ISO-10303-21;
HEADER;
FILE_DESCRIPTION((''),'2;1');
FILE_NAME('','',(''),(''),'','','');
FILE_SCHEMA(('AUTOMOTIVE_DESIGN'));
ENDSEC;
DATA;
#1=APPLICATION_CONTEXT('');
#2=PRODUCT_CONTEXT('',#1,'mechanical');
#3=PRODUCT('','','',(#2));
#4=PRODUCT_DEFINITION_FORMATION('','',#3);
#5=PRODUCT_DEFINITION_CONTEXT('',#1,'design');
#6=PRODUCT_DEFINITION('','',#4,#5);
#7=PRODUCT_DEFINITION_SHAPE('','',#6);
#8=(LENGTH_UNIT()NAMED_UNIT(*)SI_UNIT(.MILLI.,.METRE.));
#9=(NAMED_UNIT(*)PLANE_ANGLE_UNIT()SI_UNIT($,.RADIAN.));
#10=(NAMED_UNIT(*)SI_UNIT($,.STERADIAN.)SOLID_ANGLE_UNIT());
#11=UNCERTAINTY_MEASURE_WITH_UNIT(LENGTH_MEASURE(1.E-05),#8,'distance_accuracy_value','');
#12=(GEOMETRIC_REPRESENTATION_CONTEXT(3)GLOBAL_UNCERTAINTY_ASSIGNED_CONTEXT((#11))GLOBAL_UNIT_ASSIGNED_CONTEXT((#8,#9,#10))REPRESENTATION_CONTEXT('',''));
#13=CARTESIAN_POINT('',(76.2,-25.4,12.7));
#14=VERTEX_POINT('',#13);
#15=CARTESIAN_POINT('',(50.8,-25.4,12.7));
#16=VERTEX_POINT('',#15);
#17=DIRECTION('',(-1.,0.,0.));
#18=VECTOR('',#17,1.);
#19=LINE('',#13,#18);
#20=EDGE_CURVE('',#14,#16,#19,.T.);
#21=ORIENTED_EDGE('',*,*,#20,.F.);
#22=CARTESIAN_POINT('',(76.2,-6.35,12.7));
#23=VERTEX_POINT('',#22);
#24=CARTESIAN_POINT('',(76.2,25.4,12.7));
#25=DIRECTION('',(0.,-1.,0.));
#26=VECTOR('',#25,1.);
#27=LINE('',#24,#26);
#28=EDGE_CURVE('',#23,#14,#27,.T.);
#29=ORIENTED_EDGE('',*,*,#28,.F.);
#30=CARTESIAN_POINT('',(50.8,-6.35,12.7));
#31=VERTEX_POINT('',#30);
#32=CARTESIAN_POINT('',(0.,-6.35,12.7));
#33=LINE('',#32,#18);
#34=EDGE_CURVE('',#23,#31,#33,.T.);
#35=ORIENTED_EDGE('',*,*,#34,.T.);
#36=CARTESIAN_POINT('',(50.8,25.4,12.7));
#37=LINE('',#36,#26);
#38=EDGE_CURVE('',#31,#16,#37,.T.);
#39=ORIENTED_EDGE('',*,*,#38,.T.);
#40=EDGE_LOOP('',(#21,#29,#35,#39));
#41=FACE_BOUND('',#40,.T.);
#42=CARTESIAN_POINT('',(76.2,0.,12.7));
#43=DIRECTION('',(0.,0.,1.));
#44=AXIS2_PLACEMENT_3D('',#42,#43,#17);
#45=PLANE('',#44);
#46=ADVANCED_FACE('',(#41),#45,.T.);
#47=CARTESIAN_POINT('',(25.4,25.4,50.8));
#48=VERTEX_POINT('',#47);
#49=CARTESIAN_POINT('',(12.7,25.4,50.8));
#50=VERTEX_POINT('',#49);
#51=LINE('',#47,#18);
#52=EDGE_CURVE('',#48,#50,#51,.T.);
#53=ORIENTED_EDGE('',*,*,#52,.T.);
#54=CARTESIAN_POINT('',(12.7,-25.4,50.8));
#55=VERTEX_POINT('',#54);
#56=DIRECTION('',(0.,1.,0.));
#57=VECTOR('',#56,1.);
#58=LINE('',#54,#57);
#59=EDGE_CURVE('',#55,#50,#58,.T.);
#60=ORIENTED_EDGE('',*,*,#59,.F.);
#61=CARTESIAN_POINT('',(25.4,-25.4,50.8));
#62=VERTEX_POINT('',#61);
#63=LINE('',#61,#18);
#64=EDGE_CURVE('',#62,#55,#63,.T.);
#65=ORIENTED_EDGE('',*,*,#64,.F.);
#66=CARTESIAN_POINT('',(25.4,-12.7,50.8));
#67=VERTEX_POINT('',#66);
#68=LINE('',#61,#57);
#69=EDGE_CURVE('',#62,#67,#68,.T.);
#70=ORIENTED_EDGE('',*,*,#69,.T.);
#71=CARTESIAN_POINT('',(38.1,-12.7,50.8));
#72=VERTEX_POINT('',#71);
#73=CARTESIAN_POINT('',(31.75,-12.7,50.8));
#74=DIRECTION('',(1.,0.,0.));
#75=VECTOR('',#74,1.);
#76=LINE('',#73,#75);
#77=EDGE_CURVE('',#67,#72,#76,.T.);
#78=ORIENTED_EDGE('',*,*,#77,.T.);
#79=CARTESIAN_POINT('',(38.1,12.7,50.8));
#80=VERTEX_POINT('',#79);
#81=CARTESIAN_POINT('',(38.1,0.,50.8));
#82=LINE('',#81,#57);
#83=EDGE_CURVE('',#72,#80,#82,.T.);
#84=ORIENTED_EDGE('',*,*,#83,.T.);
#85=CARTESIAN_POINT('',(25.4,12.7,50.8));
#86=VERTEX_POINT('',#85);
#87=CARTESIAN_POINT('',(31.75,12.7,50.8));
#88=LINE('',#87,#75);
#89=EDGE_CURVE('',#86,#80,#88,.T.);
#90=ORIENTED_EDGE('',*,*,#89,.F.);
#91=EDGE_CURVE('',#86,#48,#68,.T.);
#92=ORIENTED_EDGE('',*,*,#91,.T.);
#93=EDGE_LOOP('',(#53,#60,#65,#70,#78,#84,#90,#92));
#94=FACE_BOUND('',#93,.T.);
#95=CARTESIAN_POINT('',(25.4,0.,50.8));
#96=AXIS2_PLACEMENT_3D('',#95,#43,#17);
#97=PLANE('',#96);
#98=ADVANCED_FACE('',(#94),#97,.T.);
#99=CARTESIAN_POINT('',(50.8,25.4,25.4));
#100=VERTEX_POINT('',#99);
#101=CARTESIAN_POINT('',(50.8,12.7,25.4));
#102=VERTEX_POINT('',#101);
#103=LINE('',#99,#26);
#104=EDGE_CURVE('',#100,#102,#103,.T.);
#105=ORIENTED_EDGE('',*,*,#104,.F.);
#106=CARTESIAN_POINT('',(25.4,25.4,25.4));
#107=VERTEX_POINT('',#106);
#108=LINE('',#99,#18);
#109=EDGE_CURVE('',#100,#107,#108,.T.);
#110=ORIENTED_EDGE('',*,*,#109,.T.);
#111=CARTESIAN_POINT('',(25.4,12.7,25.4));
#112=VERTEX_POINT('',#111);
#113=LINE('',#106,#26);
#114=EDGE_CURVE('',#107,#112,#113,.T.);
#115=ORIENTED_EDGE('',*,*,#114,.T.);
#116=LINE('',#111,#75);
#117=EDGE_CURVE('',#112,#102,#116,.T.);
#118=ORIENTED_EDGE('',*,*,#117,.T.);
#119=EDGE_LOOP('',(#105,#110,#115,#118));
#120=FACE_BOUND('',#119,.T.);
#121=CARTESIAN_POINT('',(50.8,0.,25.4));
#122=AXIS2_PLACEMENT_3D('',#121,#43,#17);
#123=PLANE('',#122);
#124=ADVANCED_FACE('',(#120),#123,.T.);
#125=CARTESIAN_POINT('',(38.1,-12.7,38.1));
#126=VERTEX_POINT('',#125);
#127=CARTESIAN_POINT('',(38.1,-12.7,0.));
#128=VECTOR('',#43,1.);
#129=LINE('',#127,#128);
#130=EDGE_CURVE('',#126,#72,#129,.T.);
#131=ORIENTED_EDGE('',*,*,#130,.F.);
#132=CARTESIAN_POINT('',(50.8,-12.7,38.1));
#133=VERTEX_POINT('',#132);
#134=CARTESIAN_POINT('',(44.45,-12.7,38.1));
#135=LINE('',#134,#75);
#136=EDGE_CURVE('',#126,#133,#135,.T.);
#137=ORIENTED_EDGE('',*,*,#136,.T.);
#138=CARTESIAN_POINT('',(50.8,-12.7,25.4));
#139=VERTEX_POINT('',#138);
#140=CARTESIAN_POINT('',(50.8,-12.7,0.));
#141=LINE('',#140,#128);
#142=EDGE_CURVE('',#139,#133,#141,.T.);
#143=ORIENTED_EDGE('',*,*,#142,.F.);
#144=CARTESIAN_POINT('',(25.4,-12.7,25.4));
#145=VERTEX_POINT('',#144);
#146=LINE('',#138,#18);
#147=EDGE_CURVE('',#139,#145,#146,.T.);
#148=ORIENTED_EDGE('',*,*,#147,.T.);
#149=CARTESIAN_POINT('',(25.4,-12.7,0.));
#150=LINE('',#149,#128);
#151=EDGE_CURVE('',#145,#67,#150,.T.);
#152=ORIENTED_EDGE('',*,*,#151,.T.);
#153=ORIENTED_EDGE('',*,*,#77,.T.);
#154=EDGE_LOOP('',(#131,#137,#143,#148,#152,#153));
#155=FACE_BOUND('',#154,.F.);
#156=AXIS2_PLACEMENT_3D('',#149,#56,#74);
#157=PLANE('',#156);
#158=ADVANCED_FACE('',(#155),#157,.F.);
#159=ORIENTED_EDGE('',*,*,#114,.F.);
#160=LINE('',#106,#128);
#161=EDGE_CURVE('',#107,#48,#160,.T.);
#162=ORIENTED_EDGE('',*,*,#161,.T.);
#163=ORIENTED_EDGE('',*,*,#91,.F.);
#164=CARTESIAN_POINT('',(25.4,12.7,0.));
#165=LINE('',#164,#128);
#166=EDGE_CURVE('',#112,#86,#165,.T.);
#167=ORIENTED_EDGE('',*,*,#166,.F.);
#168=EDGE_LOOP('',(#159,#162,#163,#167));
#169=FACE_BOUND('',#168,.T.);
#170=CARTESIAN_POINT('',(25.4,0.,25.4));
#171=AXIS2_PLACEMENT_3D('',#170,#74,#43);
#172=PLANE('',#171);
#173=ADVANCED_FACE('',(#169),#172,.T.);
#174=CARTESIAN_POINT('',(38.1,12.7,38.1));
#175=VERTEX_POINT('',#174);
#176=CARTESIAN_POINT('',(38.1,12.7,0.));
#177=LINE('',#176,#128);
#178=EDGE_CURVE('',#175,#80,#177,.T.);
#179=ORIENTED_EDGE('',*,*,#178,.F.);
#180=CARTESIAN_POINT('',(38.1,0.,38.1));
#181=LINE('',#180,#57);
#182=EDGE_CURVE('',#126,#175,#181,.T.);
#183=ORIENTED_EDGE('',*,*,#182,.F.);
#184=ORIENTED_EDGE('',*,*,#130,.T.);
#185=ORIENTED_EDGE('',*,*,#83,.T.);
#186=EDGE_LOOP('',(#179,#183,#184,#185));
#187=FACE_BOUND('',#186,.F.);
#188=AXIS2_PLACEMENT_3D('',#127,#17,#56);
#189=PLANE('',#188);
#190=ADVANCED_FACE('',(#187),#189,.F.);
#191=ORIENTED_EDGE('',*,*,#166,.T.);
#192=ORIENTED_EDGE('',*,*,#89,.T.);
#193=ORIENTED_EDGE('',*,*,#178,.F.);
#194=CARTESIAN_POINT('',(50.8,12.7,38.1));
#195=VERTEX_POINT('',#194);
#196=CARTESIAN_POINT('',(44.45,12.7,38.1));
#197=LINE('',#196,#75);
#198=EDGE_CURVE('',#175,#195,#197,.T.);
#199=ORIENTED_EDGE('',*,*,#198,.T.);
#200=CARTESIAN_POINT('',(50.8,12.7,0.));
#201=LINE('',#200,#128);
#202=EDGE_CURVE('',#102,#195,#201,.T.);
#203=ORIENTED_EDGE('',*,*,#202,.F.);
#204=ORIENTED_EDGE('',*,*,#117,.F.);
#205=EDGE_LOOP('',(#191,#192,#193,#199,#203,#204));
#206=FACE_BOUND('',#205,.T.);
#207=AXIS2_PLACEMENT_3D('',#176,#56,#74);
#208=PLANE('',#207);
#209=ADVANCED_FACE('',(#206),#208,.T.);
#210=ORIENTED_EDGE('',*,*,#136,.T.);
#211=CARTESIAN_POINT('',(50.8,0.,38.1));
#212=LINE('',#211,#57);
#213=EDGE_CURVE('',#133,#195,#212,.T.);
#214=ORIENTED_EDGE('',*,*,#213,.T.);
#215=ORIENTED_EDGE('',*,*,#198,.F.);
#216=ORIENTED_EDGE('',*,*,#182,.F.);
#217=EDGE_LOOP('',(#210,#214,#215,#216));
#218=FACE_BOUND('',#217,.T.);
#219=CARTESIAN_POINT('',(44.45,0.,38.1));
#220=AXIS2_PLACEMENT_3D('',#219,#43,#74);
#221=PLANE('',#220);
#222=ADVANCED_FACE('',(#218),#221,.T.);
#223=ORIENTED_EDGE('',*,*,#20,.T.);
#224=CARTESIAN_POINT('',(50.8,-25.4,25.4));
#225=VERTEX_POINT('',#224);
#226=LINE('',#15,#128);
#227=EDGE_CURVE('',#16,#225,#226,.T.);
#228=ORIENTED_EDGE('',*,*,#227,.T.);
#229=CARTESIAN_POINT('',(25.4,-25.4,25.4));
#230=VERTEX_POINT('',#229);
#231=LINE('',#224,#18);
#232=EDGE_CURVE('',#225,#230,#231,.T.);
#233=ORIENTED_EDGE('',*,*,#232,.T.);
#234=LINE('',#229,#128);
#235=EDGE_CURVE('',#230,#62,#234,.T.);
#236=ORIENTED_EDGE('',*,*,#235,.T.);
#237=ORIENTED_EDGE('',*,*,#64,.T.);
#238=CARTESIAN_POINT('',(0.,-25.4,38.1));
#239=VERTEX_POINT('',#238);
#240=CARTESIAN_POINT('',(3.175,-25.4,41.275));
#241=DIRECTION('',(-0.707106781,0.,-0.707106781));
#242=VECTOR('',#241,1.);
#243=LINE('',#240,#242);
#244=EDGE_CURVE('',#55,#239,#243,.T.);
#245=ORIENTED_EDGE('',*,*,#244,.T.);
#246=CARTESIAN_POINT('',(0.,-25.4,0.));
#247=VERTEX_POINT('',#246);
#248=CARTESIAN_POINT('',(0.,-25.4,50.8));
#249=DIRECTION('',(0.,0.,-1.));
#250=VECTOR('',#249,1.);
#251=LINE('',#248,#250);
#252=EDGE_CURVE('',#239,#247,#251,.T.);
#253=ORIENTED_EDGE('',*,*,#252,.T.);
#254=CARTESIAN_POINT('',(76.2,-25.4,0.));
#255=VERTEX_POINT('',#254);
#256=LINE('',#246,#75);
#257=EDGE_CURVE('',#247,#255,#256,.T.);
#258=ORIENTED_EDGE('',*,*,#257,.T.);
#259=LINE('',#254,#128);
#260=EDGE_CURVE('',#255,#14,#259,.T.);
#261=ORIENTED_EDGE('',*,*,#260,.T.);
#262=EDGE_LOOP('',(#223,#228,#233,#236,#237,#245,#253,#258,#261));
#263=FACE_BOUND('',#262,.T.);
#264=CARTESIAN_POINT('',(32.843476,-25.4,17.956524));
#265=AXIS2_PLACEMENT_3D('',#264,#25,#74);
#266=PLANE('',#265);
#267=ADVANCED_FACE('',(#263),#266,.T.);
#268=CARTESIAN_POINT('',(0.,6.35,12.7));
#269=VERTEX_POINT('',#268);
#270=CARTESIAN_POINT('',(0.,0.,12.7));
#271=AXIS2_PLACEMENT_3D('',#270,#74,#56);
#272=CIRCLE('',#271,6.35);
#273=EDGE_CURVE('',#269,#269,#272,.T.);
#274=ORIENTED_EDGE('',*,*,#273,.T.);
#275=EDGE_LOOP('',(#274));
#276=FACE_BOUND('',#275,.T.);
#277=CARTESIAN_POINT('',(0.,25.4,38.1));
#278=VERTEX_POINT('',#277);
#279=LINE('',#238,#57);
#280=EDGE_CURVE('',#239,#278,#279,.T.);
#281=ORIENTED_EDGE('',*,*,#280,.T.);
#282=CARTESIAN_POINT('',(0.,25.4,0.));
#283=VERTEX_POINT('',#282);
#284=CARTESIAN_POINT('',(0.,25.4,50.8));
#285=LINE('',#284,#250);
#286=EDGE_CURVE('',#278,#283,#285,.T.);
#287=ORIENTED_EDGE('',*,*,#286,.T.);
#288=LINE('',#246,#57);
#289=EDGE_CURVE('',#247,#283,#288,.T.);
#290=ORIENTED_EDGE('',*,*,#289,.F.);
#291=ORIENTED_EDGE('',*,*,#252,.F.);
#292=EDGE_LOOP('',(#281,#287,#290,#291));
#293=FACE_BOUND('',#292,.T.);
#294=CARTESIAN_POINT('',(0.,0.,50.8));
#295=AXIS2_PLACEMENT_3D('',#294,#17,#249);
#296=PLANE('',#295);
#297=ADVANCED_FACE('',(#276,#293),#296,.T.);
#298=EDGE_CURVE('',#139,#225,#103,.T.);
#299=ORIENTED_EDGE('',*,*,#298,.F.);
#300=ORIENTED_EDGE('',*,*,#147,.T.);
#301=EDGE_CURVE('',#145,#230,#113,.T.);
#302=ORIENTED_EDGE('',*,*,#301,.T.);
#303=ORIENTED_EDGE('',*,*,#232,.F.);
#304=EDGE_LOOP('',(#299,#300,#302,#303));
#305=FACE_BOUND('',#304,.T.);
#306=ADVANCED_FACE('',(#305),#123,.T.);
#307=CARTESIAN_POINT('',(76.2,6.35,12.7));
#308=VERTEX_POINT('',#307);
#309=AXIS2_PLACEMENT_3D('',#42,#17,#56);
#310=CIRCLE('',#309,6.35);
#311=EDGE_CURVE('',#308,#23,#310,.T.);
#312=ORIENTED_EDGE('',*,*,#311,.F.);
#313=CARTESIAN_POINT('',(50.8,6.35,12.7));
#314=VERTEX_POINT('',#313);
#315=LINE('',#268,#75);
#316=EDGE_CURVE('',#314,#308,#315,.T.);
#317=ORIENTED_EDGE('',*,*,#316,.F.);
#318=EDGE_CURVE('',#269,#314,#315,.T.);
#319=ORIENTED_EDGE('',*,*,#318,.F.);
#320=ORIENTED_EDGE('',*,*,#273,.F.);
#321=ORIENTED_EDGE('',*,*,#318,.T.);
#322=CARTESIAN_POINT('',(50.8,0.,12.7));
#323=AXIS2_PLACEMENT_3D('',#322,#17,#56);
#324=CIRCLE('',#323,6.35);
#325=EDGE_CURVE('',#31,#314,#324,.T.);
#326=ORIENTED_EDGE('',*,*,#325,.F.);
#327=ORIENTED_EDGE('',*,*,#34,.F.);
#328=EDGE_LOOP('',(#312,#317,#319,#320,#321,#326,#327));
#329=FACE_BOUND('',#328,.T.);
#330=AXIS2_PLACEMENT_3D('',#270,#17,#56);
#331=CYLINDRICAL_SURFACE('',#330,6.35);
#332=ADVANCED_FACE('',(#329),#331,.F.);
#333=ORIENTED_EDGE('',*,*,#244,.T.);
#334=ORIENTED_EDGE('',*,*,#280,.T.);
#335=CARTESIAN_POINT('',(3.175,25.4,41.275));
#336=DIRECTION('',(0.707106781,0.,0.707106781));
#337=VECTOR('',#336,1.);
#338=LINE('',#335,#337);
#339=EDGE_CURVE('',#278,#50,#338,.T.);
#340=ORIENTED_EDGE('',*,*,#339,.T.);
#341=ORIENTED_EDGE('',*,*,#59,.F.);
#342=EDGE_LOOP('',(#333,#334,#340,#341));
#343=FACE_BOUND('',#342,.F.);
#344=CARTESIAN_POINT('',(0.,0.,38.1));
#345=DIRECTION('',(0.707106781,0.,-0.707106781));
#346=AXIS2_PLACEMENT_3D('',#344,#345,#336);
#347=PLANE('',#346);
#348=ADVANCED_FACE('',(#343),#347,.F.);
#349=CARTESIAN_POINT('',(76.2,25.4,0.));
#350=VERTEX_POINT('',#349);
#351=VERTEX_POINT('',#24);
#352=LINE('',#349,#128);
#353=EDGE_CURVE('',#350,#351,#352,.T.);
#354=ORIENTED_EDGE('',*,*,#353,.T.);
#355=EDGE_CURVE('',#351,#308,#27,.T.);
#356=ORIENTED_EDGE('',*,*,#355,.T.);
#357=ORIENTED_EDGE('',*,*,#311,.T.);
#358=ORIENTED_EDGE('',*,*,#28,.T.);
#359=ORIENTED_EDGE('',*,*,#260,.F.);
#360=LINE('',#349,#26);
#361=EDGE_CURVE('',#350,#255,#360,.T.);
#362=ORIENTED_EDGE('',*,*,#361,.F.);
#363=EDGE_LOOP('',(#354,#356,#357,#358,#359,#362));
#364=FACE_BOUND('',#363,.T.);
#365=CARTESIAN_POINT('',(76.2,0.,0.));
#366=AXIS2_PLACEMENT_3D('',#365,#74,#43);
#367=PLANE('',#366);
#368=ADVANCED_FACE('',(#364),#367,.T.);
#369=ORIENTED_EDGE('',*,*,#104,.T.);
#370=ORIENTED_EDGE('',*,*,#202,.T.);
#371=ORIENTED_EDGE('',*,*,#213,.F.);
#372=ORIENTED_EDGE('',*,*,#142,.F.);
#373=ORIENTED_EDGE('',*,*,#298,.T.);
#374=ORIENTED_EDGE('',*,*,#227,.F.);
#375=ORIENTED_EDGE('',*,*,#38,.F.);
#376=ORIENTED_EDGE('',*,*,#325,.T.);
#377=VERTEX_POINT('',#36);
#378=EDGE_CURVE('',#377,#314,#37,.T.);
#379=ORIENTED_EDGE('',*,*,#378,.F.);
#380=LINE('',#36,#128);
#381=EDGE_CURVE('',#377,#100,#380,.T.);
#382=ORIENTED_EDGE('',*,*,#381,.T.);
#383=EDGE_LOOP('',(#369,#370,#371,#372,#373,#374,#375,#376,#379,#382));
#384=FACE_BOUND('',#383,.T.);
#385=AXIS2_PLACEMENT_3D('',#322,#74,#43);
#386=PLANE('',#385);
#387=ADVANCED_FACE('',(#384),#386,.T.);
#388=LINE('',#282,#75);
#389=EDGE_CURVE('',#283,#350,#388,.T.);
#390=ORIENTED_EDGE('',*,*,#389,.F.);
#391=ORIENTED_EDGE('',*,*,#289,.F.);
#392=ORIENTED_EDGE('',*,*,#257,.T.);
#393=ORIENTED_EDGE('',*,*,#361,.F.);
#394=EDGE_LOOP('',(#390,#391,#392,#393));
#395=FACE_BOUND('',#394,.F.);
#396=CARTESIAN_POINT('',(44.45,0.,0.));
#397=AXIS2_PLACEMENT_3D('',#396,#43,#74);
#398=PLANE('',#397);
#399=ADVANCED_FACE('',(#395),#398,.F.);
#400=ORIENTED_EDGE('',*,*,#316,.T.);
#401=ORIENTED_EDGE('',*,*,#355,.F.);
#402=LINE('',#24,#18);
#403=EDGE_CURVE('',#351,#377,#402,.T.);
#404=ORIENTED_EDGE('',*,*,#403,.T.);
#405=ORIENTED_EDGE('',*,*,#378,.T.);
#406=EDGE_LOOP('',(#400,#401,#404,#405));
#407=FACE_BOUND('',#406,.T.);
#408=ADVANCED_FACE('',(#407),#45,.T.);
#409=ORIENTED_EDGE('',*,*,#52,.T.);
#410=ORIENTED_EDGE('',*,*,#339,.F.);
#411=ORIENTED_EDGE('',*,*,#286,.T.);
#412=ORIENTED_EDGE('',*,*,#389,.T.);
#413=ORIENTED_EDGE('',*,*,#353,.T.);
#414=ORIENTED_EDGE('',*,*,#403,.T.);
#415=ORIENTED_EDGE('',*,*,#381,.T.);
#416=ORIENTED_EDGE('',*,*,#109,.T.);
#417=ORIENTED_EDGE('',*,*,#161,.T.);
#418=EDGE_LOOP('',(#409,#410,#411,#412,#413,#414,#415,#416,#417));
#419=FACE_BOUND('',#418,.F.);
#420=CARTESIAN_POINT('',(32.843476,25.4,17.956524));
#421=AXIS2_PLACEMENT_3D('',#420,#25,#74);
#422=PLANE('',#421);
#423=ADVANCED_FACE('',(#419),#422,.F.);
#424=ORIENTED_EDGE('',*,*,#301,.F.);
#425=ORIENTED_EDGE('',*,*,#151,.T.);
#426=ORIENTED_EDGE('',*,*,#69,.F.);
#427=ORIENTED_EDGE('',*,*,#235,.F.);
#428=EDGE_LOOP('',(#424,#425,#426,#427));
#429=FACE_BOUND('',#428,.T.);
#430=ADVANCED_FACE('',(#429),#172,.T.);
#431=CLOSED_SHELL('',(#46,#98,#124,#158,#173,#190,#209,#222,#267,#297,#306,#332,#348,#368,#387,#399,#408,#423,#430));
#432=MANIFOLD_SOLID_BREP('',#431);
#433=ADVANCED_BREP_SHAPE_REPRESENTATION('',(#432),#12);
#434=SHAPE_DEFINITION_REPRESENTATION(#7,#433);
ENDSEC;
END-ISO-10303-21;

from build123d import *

# Parameters (mm, degrees)
F1_DEPTH  = 25.4
F2_W      = 12.7
F2_H      = 25.4
F3_DEPTH  = 50.8
F4_W      = 12.7
F4_H      = 25.4
F5_DEPTH  = 38.1
F6_DEPTH  = 25.401
F8_DEPTH  = 25.401
F9_R      = 6.35
F10_DEPTH = 76.201


with BuildPart() as f1:
    # F0 (on Front) → F1 (new body, symmetric)
    with BuildSketch(Plane.XZ):
        Polygon((0, 38.1), (0, 0), (76.2, 0), (76.2, 12.7), (50.8, 12.7), (50.8, 25.4), (25.4, 25.4), (25.4, 50.8), (12.7, 50.8), align=None)
        Polygon((0, 50.8), (0, 38.1), (12.7, 50.8), align=None)
    extrude(amount=F1_DEPTH, both=True)

    # F2 (on Top) → F3 (join)
    with BuildSketch(Plane.XY):
        with Locations((31.75, 0)):
            Rectangle(F2_W, F2_H)
    extrude(amount=F3_DEPTH)

    # F4 (on Top) → F5 (join)
    with BuildSketch(Plane.XY):
        with Locations((44.45, 0)):
            Rectangle(F4_W, F4_H)
    extrude(amount=F5_DEPTH)

    # F0 (on Front) → F6 (cut, through all)
    with BuildSketch(Plane.XZ):
        Polygon((0, 50.8), (0, 38.1), (12.7, 50.8), align=None)
    extrude(amount=F6_DEPTH, mode=Mode.SUBTRACT)

    # F7 (on Front) → F8 (cut, through all)
    with BuildSketch(Plane.XZ):
        Polygon((0, 38.1), (12.7, 50.8), (0, 50.8), align=None)
    extrude(amount=-F8_DEPTH, mode=Mode.SUBTRACT)

    # F9 (on Right) → F10 (cut, through all)
    with BuildSketch(Plane.YZ):
        with Locations((0, 12.7)):
            Circle(F9_R)
    extrude(amount=F10_DEPTH, mode=Mode.SUBTRACT)


solid = f1.part
